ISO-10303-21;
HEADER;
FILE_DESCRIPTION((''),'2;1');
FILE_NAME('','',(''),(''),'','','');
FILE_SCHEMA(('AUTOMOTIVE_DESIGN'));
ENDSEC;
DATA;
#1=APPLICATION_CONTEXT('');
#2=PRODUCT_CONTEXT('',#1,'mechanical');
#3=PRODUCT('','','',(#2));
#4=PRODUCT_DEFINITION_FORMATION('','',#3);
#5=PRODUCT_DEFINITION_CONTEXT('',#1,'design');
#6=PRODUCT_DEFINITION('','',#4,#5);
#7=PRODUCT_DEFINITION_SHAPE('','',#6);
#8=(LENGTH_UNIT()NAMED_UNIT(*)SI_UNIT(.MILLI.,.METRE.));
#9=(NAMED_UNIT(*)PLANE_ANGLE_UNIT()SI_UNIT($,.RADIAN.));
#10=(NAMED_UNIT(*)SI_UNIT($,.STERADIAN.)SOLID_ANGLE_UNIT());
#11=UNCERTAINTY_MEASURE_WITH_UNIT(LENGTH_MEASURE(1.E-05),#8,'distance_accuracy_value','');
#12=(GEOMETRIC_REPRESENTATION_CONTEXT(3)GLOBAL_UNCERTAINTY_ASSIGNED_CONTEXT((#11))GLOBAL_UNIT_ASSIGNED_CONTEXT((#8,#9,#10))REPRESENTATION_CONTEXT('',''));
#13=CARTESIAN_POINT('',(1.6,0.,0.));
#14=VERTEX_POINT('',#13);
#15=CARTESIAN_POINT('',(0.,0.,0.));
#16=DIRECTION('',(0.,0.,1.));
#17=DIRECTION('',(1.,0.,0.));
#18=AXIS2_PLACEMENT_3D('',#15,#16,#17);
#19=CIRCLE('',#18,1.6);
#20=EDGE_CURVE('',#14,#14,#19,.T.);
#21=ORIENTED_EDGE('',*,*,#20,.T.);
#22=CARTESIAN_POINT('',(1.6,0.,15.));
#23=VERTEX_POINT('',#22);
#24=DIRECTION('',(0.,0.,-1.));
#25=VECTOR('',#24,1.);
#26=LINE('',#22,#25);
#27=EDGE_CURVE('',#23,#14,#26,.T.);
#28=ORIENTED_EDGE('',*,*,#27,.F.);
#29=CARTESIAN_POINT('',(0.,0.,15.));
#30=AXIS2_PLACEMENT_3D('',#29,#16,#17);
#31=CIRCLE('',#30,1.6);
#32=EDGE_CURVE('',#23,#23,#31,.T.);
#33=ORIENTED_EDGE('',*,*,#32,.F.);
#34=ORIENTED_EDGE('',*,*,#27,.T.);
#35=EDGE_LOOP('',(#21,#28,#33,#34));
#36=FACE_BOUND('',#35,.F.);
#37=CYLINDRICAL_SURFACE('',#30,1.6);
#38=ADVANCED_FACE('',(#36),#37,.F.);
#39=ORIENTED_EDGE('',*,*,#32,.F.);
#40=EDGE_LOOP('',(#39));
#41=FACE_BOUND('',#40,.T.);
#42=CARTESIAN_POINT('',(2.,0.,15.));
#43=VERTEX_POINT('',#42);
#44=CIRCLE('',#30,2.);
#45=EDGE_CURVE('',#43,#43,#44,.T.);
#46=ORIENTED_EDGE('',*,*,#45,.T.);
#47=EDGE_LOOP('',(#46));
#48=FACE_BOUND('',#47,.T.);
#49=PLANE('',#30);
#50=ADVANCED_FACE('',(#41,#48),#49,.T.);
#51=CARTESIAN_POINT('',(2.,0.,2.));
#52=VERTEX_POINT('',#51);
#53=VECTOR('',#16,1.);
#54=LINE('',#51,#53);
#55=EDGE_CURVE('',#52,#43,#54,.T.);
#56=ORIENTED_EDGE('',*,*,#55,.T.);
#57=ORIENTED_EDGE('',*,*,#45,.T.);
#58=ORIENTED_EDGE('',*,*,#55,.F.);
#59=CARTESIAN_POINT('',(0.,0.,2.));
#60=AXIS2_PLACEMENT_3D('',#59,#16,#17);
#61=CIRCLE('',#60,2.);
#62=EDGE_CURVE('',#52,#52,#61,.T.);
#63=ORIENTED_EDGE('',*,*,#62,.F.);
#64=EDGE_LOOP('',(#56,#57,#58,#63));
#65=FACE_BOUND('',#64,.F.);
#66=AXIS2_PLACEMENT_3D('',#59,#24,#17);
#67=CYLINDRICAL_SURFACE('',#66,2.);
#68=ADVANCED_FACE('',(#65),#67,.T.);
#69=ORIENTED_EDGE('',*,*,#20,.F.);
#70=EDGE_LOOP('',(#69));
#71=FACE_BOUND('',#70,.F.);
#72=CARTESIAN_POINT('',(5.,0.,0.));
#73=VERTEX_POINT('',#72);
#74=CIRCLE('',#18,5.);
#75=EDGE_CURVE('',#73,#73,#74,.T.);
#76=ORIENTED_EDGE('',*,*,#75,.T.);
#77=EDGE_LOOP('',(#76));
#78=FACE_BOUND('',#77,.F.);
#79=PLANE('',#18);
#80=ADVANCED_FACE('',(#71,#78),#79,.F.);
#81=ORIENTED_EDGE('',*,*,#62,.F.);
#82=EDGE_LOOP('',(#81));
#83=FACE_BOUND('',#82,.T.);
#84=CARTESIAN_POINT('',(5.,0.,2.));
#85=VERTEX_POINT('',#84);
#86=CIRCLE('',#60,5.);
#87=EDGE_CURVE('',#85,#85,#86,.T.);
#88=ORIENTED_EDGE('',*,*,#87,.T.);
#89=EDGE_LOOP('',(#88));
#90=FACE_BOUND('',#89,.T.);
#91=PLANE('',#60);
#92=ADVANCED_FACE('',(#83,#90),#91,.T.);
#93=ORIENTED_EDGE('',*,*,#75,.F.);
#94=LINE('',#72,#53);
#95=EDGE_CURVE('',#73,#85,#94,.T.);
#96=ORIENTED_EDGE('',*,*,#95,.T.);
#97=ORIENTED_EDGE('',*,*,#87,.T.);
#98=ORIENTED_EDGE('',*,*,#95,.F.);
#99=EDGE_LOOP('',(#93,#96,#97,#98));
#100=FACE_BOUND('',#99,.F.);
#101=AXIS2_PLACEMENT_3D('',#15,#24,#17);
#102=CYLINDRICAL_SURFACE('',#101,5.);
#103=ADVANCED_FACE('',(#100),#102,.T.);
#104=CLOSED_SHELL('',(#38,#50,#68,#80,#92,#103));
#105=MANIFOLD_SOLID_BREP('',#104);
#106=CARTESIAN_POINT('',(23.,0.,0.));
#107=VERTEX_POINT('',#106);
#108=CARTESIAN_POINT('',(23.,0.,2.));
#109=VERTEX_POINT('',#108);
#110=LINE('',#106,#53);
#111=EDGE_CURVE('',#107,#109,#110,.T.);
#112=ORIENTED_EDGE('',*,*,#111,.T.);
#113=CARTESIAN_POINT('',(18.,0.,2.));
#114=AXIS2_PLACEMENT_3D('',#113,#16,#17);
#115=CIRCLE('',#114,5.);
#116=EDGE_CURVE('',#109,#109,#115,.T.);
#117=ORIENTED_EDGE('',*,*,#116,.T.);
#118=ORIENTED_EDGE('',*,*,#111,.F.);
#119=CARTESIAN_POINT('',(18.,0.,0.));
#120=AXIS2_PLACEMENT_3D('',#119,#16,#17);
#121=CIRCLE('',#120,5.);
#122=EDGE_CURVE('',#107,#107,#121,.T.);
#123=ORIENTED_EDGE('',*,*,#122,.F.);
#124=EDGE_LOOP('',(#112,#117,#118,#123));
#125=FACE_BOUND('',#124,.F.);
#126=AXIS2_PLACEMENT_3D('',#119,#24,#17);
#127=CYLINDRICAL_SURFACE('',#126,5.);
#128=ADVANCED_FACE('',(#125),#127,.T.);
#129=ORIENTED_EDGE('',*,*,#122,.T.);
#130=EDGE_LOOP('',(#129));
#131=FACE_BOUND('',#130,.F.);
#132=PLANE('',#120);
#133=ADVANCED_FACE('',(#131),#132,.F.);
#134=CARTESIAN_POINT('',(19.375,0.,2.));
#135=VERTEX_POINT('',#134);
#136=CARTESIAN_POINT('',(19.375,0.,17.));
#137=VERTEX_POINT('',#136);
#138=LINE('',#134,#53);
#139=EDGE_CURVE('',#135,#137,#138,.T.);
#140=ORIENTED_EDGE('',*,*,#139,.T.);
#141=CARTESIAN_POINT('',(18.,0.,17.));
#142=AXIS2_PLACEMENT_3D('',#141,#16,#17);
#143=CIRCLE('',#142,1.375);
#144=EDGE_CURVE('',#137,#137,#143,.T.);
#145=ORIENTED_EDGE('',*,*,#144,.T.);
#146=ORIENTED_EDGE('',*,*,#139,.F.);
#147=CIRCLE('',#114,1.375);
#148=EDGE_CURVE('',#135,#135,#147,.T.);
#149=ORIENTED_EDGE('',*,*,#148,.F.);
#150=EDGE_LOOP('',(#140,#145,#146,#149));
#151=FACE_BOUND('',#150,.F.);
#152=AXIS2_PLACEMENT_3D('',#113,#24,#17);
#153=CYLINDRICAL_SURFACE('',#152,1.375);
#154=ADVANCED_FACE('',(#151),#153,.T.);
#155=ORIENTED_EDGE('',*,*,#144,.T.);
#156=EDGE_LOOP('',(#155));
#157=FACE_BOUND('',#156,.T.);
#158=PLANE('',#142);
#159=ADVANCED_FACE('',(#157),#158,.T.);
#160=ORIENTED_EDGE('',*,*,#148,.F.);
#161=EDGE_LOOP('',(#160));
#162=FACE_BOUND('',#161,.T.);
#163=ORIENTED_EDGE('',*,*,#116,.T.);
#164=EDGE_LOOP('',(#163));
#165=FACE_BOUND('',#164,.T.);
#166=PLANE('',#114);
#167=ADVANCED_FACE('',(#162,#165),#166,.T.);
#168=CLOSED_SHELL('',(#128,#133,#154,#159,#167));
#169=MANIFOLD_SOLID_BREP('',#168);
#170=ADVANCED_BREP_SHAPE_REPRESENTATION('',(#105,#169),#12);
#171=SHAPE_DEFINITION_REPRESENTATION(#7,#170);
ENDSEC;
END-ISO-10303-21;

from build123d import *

# Parameters (mm, degrees)
F0_R     = 5
F1_DEPTH = 2
F2_R     = 2
F3_DEPTH = 13
F4_R     = 1.6
F5_DEPTH = 15.001
F6_R     = 5
F7_DEPTH = 2
F8_R     = 1.375
F9_DEPTH = 15


with BuildPart() as f1:
    # F0 (on Top) → F1 (new body)
    with BuildSketch(Plane.XY):
        Circle(F0_R)
    extrude(amount=F1_DEPTH)

    # F2 (on face) → F3 (join)
    with BuildSketch(Plane.XY.offset(2)):
        Circle(F2_R)
    extrude(amount=F3_DEPTH)

    # F4 (on face) → F5 (cut, through all)
    with BuildSketch(Plane.XY.offset(15)):
        Circle(F4_R)
    extrude(amount=-F5_DEPTH, mode=Mode.SUBTRACT)


with BuildPart() as f7:
    # F6 (on Top) → F7 (new body)
    with BuildSketch(Plane.XY):
        with Locations((18, 0)):
            Circle(F6_R)
    extrude(amount=F7_DEPTH)

    # F8 (on face) → F9 (join)
    with BuildSketch(Plane.XY.offset(2)):
        with Locations((18, 0)):
            Circle(F8_R)
    extrude(amount=F9_DEPTH)


solid = Compound([f1.part, f7.part])
